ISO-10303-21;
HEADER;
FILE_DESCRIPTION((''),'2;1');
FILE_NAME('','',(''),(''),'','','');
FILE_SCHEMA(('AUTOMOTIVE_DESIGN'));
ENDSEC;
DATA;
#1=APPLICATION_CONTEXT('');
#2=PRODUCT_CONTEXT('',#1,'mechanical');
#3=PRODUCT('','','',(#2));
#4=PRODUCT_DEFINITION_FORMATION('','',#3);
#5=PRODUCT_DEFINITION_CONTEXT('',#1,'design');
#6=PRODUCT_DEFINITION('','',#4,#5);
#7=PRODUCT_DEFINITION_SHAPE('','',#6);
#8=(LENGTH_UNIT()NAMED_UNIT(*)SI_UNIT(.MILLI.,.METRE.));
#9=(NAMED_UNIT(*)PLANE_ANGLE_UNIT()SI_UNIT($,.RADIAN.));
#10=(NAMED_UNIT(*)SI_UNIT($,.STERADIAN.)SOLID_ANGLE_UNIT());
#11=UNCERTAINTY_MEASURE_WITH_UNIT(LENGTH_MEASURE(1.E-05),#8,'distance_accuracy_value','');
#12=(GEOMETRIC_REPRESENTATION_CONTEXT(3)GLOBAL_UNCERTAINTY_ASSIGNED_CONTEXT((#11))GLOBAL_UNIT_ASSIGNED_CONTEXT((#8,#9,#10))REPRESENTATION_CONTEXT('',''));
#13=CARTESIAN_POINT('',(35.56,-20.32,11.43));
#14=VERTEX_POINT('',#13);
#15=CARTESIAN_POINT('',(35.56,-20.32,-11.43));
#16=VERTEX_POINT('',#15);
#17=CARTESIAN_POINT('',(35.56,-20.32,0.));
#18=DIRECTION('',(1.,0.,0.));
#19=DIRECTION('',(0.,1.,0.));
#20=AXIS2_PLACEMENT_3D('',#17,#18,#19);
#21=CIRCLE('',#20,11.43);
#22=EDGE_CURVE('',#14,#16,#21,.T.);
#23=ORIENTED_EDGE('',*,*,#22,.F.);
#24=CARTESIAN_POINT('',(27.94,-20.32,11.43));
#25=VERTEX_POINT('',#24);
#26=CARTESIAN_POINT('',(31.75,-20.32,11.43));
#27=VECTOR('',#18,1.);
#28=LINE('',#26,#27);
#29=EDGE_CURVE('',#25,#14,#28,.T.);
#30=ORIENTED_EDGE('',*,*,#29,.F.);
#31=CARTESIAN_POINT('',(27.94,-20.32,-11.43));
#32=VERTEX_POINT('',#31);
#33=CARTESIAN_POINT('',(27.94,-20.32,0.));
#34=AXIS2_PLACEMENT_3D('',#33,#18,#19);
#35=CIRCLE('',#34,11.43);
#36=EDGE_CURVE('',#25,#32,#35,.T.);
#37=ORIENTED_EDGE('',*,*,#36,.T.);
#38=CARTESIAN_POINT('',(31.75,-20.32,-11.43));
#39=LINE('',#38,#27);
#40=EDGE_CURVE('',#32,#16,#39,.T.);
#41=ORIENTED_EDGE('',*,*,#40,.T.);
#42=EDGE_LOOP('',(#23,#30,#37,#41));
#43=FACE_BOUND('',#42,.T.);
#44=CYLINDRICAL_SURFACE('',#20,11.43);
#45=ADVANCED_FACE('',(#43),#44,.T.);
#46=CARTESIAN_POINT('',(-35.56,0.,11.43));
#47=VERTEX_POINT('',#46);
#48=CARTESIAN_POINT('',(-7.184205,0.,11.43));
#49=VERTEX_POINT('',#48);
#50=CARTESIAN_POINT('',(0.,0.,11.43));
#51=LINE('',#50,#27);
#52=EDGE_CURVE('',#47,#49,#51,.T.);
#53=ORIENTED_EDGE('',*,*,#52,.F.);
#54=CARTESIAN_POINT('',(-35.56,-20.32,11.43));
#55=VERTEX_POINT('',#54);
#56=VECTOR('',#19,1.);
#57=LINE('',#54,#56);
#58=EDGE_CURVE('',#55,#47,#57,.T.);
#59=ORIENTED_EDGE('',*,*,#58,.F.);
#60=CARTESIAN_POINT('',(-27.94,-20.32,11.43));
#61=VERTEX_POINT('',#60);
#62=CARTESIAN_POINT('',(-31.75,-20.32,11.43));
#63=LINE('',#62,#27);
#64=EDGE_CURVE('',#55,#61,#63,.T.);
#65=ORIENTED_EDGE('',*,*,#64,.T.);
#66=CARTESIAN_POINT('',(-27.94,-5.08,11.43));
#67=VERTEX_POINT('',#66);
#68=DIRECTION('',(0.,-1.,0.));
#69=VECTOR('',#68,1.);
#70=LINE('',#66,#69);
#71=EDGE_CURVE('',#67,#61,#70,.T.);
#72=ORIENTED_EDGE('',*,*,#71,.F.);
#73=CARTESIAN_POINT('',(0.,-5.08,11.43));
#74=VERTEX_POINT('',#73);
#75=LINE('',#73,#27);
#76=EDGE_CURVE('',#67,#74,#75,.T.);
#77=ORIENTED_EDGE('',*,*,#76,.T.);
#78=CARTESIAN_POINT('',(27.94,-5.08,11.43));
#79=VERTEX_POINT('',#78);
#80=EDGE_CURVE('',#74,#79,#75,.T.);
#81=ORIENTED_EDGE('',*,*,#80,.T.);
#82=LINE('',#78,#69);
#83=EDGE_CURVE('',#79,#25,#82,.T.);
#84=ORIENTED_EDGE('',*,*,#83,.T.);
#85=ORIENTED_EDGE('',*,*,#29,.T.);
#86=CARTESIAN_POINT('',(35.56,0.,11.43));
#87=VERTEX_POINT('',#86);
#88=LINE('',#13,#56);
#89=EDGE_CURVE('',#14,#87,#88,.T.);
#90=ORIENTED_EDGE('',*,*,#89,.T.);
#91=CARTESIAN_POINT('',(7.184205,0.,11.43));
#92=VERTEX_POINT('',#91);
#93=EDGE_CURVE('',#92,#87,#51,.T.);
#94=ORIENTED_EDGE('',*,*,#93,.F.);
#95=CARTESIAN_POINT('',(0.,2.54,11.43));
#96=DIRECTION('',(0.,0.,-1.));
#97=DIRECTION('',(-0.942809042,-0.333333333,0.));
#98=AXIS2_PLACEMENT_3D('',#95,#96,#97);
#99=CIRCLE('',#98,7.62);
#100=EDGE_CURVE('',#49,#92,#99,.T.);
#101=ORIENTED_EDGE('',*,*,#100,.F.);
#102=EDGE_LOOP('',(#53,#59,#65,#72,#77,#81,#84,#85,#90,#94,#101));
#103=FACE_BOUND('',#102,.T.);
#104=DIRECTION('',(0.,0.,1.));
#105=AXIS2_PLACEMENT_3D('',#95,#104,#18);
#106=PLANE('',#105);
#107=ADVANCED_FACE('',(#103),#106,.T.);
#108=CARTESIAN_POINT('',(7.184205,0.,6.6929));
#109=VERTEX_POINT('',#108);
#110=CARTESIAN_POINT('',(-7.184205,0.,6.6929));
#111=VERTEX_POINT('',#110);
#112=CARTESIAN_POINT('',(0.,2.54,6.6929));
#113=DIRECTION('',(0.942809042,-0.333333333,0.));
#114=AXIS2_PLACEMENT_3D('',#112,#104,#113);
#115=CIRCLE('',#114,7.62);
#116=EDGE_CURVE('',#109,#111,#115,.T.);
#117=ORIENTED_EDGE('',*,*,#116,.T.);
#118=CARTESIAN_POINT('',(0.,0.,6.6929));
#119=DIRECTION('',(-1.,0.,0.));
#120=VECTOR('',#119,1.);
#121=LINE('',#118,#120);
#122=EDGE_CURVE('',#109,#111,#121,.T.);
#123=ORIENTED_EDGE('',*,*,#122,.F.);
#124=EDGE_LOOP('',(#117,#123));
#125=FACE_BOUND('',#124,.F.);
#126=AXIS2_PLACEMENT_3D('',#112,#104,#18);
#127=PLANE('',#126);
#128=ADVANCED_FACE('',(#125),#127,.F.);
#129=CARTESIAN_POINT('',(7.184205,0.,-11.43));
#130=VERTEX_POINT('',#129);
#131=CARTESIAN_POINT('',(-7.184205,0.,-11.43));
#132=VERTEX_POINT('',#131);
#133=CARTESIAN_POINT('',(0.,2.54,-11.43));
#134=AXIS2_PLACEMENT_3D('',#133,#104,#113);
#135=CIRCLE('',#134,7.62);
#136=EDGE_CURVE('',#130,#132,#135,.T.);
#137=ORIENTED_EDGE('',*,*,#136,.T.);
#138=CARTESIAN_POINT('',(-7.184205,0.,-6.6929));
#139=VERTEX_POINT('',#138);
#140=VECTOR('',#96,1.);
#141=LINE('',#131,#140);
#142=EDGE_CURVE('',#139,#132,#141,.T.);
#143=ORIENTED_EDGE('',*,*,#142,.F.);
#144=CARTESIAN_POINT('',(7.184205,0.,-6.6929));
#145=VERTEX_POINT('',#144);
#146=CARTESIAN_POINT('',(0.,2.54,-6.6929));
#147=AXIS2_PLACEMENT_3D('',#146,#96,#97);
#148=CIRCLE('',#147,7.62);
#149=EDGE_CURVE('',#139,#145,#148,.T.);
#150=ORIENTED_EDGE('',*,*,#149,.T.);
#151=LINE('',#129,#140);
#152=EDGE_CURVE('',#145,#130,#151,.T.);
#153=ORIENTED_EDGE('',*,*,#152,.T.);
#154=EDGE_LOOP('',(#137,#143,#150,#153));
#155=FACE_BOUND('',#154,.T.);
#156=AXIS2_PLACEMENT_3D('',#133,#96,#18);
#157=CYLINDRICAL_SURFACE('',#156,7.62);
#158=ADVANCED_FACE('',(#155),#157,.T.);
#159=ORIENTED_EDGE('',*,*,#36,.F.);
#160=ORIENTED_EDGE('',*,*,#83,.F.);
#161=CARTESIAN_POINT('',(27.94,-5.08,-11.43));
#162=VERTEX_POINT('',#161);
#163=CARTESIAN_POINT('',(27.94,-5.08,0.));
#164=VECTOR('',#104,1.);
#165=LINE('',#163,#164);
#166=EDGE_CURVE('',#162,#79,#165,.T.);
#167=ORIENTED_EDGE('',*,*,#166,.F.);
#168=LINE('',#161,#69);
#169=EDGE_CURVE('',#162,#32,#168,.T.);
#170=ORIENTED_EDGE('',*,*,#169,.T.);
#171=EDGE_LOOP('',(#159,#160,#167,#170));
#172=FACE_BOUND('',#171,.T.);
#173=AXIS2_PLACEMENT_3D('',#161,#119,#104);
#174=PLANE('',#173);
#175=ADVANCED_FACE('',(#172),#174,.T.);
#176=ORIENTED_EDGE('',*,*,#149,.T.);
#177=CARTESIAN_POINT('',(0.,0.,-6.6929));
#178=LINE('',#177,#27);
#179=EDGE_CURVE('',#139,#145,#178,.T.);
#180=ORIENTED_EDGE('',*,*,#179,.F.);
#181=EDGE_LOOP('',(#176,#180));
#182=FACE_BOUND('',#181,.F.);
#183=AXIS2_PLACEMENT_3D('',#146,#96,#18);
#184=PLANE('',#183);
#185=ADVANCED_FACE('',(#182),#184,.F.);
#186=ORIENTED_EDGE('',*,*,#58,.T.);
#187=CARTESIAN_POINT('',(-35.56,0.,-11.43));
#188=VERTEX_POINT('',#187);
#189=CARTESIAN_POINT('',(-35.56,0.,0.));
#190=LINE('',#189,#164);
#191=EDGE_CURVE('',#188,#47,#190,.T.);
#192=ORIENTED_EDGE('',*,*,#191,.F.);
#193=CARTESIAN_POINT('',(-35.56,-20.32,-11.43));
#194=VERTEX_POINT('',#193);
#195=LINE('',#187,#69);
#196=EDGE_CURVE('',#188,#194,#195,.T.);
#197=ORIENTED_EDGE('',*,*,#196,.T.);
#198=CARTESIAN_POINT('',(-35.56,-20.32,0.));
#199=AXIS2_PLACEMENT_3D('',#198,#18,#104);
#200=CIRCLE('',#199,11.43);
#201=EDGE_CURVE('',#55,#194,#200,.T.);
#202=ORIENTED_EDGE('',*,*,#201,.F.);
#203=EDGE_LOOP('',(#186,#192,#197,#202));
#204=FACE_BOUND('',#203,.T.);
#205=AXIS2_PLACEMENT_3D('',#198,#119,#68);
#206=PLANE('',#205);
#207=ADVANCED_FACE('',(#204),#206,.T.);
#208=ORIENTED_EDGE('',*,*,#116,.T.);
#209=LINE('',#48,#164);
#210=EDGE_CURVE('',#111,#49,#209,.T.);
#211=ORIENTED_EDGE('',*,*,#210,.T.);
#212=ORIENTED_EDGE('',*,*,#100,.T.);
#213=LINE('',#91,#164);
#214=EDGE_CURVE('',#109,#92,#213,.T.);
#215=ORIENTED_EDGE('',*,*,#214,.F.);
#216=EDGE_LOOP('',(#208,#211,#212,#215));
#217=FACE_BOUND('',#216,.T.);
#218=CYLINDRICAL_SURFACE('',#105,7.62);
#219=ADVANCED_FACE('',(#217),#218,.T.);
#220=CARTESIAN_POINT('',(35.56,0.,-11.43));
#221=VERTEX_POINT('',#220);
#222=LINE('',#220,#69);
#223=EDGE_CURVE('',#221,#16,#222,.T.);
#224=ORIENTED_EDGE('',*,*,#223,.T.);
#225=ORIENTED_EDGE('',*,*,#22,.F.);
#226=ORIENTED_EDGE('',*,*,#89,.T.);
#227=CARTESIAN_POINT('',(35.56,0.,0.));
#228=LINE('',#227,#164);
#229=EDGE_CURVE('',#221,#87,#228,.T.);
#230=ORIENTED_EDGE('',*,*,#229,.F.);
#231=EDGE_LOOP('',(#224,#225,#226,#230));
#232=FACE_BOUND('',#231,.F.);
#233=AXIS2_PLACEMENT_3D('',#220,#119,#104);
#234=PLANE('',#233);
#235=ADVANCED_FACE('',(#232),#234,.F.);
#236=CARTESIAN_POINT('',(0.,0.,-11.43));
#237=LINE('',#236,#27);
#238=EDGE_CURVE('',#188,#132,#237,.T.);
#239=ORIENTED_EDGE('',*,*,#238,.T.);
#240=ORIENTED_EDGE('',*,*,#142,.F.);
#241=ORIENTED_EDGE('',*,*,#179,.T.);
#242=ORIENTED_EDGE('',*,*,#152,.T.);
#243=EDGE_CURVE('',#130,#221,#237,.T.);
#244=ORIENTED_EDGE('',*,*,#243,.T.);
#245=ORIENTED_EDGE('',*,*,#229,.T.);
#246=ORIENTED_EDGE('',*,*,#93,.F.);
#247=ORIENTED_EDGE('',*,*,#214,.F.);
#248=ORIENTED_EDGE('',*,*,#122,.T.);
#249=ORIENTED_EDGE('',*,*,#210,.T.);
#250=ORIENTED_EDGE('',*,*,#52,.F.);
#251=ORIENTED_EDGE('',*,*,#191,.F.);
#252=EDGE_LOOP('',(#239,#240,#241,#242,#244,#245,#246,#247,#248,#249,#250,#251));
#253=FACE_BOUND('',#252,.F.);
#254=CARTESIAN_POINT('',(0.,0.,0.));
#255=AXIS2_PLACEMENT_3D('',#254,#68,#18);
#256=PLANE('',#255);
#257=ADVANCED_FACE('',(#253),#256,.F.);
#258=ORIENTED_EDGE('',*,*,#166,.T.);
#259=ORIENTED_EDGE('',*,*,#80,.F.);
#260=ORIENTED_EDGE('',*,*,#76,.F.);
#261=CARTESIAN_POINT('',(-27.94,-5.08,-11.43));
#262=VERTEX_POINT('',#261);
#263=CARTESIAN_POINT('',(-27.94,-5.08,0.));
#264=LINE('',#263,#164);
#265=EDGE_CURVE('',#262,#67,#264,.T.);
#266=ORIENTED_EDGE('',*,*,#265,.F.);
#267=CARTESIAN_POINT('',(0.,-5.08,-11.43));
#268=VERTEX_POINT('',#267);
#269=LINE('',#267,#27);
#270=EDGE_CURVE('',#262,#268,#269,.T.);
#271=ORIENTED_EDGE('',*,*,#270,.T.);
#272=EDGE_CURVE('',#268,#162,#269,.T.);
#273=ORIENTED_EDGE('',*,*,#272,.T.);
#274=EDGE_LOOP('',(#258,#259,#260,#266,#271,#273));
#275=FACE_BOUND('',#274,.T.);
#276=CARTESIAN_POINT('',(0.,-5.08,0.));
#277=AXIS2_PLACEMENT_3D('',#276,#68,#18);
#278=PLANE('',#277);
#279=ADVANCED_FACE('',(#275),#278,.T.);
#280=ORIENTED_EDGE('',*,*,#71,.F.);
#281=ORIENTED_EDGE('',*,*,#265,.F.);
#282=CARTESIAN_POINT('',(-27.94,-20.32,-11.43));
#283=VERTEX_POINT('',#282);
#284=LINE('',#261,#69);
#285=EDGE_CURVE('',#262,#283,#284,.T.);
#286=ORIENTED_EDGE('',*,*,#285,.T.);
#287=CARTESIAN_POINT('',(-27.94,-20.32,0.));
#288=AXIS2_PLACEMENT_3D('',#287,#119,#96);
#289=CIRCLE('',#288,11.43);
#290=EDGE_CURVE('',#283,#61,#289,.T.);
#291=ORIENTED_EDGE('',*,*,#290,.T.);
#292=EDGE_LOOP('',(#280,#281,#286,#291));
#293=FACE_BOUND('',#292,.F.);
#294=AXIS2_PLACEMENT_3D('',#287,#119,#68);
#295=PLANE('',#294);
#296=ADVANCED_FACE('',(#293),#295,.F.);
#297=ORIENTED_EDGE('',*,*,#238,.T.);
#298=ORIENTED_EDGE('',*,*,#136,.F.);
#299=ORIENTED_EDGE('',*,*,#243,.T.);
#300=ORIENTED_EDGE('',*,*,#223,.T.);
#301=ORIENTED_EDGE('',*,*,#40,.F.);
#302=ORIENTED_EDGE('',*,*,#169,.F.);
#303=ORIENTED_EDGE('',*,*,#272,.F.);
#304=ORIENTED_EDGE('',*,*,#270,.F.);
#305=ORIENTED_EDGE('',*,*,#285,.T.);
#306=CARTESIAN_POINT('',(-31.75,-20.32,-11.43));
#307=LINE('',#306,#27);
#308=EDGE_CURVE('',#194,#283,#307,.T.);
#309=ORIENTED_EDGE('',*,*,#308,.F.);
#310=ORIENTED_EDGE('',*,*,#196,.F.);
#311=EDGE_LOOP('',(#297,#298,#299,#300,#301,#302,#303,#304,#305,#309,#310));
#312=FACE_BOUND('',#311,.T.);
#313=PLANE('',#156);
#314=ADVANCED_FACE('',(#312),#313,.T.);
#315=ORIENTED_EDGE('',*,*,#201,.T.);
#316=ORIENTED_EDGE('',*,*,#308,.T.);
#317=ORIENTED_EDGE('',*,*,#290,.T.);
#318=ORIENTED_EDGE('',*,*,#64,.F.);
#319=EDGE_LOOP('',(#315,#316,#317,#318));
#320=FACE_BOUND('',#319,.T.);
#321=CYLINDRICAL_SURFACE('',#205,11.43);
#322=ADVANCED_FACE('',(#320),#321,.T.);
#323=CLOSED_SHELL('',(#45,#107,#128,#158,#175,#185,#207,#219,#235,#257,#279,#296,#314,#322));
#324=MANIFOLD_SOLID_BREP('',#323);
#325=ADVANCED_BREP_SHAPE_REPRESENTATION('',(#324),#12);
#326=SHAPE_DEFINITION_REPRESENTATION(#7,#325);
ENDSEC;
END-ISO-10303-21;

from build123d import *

# Parameters (mm, degrees)
F0_W      = 71.12
F0_H      = 22.86
F1_DEPTH  = 5.08
F2_W      = 7.62
F2_H      = 22.86
F3_DEPTH  = 15.24
F4_R      = 11.43
F5_DEPTH  = 7.62
F6_R      = 11.43
F7_DEPTH  = 7.62
F8_R      = 7.62
F9_DEPTH  = 4.7371
F10_R     = 7.62
F11_DEPTH = 4.7371


with BuildPart() as f1:
    # F0 (on Front) → F1 (new body)
    with BuildSketch(Plane.XZ):
        Rectangle(F0_W, F0_H)
    extrude(amount=F1_DEPTH)

    # F2 (on face) → F3 (join)
    with BuildSketch(Plane.XZ.offset(5.08)):
        with Locations((-31.75, 0)):
            Rectangle(F2_W, F2_H)
        with Locations((31.75, 0)):
            Rectangle(F2_W, F2_H)
    extrude(amount=F3_DEPTH)

    # F4 (on face) → F5 (join)
    with BuildSketch(Plane.YZ.offset(35.56)):
        with Locations((-20.32, 0)):
            Circle(F4_R)
    extrude(amount=-F5_DEPTH)

    # F6 (on face) → F7 (join)
    with BuildSketch(Plane(origin=(-35.56, 0, 0), x_dir=(0, -1, 0), z_dir=(-1, 0, 0))):
        with Locations((20.32, 0)):
            Circle(F6_R)
    extrude(amount=-F7_DEPTH)

    # F8 (on face) → F9 (join)
    with BuildSketch(Plane.XY.offset(11.43)):
        with Locations((0, 2.54)):
            Circle(F8_R)
    extrude(amount=-F9_DEPTH)

    # F10 (on face) → F11 (join)
    with BuildSketch(Plane(origin=(0, 0, -11.43), x_dir=(1, 0, 0), z_dir=(0, 0, -1))):
        with Locations((0, -2.54)):
            Circle(F10_R)
    extrude(amount=-F11_DEPTH)


solid = f1.part
